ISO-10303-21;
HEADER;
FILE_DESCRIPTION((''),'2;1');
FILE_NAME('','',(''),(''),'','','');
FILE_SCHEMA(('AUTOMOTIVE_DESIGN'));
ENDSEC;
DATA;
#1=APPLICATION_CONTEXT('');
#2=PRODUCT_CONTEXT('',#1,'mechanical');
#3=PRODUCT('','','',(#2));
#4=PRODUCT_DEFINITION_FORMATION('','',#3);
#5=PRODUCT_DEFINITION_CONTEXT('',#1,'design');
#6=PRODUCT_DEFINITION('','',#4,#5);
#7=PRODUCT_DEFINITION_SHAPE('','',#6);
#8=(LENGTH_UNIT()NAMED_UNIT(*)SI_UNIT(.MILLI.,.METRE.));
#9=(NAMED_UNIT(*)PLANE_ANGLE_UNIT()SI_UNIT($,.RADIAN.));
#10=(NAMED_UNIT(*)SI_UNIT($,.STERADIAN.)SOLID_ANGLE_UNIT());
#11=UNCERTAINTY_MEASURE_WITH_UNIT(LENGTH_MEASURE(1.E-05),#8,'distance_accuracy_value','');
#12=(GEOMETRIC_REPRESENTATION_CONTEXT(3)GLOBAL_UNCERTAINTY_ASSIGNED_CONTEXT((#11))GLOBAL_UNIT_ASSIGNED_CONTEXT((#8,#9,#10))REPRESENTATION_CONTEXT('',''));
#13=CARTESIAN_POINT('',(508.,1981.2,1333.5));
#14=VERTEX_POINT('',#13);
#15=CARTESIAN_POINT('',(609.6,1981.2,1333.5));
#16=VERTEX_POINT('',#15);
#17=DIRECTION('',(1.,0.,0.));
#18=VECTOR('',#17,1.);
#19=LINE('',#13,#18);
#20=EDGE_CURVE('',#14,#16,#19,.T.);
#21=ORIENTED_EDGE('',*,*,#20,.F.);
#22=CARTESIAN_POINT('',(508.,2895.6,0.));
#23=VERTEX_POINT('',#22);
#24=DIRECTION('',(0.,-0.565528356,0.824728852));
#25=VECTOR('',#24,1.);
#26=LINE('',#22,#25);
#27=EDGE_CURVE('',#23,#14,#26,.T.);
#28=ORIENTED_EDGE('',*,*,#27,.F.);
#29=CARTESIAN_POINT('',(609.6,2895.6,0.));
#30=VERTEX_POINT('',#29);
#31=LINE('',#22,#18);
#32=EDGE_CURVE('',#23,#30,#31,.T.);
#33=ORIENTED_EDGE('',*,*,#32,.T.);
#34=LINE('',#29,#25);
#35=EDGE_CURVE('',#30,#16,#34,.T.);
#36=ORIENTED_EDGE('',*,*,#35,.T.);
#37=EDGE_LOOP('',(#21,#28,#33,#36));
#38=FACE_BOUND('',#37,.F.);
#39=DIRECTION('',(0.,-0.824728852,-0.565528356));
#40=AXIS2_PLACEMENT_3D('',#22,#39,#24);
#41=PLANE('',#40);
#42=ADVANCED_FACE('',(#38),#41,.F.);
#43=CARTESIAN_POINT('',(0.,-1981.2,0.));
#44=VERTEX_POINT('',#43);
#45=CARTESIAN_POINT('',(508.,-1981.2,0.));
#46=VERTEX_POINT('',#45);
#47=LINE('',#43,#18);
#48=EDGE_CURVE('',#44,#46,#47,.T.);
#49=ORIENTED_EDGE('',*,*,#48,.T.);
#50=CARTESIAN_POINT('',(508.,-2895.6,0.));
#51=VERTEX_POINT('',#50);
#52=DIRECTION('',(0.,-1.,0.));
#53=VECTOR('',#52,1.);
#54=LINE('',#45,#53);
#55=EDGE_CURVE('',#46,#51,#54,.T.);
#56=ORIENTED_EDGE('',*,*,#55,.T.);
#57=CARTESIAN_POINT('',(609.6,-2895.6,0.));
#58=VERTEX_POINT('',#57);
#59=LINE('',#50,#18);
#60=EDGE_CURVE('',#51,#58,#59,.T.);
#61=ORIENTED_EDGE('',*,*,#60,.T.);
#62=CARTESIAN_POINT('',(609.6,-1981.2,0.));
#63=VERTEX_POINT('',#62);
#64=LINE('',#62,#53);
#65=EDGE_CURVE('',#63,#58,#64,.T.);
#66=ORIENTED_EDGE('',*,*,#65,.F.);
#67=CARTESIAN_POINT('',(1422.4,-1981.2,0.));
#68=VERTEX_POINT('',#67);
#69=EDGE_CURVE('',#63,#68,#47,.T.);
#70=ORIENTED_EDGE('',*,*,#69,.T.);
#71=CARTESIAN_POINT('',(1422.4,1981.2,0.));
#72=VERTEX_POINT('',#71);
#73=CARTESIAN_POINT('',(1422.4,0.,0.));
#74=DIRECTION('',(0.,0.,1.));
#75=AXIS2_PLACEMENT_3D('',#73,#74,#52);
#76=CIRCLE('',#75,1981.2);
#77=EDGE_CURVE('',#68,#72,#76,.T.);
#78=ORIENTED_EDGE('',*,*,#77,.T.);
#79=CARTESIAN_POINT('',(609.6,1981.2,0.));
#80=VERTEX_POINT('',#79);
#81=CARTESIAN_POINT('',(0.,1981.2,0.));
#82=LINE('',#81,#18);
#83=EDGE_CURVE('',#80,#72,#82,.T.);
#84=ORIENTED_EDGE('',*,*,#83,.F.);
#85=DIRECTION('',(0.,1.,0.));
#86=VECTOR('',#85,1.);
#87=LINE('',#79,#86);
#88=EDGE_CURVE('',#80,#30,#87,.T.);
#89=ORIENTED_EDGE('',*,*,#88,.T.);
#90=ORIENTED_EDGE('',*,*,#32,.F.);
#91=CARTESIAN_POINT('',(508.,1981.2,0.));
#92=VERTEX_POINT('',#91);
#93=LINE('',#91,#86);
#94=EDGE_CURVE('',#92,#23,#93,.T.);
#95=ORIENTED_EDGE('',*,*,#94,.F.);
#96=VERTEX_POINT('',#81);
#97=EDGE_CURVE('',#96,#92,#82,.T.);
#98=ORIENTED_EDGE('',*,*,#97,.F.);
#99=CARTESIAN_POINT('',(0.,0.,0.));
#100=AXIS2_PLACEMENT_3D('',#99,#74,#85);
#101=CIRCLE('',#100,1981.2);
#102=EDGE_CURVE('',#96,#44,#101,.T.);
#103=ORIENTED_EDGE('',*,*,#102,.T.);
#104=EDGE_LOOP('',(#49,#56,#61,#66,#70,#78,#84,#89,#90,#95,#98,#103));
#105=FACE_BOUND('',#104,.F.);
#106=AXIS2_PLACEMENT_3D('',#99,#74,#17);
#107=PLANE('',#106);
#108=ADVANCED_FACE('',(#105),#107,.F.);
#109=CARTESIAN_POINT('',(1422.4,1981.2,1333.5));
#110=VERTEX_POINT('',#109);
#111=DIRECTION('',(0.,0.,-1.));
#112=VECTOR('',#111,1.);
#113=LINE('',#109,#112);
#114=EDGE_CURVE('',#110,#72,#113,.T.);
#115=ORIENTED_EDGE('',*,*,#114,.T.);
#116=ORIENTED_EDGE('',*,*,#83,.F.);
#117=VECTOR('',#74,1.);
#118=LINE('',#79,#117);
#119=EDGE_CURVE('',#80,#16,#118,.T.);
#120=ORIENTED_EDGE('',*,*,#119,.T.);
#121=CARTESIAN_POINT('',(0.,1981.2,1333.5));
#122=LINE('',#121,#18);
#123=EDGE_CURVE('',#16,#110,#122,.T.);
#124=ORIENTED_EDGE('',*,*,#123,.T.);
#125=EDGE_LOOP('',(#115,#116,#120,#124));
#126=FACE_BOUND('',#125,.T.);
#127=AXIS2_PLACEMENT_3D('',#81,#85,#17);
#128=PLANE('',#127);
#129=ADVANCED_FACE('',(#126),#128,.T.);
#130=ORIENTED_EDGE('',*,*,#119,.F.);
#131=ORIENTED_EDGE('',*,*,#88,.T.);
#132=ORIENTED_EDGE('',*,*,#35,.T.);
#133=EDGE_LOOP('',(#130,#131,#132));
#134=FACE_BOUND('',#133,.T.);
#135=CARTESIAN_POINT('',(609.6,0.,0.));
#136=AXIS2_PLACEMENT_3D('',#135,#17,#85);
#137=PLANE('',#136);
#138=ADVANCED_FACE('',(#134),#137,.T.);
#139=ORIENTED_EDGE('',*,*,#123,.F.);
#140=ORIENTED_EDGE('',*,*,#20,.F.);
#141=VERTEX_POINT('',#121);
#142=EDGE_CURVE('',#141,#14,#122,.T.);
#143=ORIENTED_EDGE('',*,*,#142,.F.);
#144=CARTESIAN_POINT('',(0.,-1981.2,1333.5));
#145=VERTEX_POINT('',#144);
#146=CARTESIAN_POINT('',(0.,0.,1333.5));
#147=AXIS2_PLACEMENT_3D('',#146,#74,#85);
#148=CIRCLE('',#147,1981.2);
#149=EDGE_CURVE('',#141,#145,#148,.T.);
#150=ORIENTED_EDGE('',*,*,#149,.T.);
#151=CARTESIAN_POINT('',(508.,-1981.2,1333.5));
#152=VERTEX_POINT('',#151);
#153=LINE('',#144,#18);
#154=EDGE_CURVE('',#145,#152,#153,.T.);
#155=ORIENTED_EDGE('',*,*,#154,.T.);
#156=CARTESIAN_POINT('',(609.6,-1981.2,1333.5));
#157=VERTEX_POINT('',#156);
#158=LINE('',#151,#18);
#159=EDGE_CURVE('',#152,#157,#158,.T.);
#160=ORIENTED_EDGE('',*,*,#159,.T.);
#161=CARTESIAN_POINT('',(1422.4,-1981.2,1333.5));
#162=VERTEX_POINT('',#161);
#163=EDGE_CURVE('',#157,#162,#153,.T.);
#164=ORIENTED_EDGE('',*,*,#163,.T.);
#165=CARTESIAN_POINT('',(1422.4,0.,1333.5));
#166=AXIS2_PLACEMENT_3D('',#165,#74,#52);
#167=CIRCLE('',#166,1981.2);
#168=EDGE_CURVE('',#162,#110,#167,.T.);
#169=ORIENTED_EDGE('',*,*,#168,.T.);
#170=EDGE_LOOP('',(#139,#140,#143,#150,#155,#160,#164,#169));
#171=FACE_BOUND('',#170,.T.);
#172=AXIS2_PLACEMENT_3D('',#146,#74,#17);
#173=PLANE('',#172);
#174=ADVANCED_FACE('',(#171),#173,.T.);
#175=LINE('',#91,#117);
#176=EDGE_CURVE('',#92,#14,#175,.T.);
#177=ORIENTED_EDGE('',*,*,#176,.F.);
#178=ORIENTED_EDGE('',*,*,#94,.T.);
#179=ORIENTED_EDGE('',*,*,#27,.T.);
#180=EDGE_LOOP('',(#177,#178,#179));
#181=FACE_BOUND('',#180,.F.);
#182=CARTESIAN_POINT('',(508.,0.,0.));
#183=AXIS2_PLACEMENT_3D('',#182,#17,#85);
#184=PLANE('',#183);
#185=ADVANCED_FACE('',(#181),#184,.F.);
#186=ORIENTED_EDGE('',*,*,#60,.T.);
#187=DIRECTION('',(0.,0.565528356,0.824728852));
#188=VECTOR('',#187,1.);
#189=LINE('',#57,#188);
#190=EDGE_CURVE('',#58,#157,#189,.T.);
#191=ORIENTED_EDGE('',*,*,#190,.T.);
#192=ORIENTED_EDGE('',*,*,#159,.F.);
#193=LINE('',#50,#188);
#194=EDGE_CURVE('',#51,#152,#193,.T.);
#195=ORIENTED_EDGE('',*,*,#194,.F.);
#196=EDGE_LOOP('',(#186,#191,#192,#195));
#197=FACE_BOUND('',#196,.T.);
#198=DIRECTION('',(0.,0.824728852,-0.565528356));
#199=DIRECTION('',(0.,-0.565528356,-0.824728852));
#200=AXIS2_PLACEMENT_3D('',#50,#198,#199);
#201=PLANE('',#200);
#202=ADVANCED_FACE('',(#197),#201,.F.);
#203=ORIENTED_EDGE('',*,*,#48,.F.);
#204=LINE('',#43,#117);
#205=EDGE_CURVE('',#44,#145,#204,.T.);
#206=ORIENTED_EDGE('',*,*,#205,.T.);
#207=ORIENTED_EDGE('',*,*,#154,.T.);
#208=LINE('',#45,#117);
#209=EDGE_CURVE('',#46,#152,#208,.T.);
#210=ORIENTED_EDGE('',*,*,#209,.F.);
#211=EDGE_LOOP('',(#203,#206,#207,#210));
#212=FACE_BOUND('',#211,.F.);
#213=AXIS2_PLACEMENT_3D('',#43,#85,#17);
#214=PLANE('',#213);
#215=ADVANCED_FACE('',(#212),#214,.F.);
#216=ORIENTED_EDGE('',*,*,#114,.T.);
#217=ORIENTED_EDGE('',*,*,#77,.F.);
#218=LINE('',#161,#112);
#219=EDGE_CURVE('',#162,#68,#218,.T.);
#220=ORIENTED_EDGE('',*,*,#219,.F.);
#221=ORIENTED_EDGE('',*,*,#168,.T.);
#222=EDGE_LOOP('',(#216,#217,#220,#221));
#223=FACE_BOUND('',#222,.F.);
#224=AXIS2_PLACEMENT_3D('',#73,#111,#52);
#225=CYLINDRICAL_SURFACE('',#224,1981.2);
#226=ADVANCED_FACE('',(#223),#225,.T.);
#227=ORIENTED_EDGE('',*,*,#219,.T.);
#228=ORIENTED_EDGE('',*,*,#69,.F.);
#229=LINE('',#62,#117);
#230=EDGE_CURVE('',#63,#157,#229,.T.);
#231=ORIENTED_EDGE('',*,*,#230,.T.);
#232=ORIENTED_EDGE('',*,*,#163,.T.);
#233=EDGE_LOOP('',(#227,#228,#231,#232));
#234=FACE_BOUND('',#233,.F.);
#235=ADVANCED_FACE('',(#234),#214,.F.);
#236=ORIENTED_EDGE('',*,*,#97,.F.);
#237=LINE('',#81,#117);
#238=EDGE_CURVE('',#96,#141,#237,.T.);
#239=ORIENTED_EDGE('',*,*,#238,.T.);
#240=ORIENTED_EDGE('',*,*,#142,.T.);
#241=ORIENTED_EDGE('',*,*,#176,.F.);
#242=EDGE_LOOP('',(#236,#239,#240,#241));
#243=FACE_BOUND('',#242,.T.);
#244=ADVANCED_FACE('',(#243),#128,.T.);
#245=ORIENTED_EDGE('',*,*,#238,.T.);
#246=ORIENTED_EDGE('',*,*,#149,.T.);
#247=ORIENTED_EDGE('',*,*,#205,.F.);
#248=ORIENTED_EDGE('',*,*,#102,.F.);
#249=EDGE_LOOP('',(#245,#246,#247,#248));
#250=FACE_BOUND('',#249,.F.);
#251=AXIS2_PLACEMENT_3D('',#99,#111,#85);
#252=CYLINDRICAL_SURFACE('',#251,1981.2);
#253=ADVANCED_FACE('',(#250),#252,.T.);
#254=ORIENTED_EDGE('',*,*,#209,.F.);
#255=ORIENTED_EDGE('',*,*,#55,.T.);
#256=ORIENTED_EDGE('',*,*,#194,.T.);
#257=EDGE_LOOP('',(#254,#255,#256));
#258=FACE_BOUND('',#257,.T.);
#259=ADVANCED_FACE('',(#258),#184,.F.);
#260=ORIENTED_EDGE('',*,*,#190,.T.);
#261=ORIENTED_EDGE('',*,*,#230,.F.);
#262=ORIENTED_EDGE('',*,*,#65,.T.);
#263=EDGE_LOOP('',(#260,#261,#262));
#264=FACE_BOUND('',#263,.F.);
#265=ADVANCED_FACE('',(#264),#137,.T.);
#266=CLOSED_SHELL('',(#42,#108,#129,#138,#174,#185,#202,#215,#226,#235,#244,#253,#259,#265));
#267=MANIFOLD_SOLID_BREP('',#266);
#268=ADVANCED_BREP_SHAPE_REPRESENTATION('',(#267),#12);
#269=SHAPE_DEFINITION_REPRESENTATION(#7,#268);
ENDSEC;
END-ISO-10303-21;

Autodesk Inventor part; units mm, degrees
ref_plane "XZ Plane" through (0, 0, 0) normal (0, 1, 0) x (-1, 0, 0)
ref_plane "XY Plane" through (0, 0, 0) normal (0, 0, 1) x (1, 0, 0)
sketch "Sketch4" plane through (0, 0, 0) normal (0, 0, 1) x (1, 0, 0)
  arc A0 (0, 1981.2) -> (0, -1981.2) centre (0, 0) ccw
  arc A1 (1422.4, -1981.2) -> (1422.4, 1981.2) centre (1422.4, 0) ccw
  line L0 (0, 1981.2) -> (1422.4, 1981.2)
  line L1 (0, -1981.2) -> (1603.6466, -1981.2)
  dimension "d12" = 3962.4
  dimension "d13" = 3962.4
extrude "Extrusion3" add sketch "Sketch4" along normal blind 12.7
sketch "Sketch6" plane through (0, 0, 12.7) normal (0, 0, 1) x (1, 0, 0)
  arc A0 (0, 1981.2) -> (0, -1981.2) centre (0, 0) ccw projected
  arc A1 (0, 1981.2) -> (0, -1981.2) centre (0, 0) ccw
  line L0 (0, -1981.2) -> (1422.4, -1981.2) projected
  arc A2 (1422.4, -1981.2) -> (1422.4, 1981.2) centre (1422.4, 0) ccw projected
  arc A3 (1422.4, -1981.2) -> (1422.4, 1981.2) centre (1422.4, 0) ccw
  line L1 (0, 1981.2) -> (1422.4, 1981.2)
  line L2 (0, -1981.2) -> (1422.4, -1981.2)
  arc A4 (0, 1968.5) -> (0, -1968.5) centre (0, 0) ccw
  arc A5 (1422.4, -1968.5) -> (1422.4, 1968.5) centre (1422.4, 0) ccw
  line L3 (1422.4, 0) -> (1422.4, -1968.5) construction
  line L4 (1422.4, 0) -> (3390.9, 0) construction
  line L5 (0, 1968.5) -> (1422.4, 1968.5)
  line L6 (0, -1968.5) -> (1422.4, -1968.5)
  dimension "d18" = 1968.5
  dimension "d19" = 1968.5
  dimension "d20" = 90
extrude "Extrusion4" add sketch "Sketch6" along normal blind 1320.8 contours L1 A2 L0 A0 | L5 A5 L6 A4
ref_plane "Work Plane1" through (508, 0, 0) normal (1, 0, 0) x (0, 1, 0)
sketch "Sketch8" plane through (508, 0, 0) normal (1, 0, 0) x (0, 1, 0)
  line L0 (1981.2, 0) -> (1981.2, 1333.5) projected
  line L1 (1981.2, 0) -> (2895.6, 0)
  line L2 (2895.6, 0) -> (1981.2, 1333.5)
  line L3 (1981.2, 1333.5) -> (1981.2, 0)
  line L4 (1981.2, 1333.5) -> (1981.2, 0)
  point P0 (0, 0)
  dimension "d24" = 914.4
extrude "Extrusion5" add sketch "Sketch8" along normal blind 101.6
mirror "Mirror1" about plane through (0, 0, 0) normal (0, 1, 0) of "Extrusion5"
properties part number "EspritOvalPool"
